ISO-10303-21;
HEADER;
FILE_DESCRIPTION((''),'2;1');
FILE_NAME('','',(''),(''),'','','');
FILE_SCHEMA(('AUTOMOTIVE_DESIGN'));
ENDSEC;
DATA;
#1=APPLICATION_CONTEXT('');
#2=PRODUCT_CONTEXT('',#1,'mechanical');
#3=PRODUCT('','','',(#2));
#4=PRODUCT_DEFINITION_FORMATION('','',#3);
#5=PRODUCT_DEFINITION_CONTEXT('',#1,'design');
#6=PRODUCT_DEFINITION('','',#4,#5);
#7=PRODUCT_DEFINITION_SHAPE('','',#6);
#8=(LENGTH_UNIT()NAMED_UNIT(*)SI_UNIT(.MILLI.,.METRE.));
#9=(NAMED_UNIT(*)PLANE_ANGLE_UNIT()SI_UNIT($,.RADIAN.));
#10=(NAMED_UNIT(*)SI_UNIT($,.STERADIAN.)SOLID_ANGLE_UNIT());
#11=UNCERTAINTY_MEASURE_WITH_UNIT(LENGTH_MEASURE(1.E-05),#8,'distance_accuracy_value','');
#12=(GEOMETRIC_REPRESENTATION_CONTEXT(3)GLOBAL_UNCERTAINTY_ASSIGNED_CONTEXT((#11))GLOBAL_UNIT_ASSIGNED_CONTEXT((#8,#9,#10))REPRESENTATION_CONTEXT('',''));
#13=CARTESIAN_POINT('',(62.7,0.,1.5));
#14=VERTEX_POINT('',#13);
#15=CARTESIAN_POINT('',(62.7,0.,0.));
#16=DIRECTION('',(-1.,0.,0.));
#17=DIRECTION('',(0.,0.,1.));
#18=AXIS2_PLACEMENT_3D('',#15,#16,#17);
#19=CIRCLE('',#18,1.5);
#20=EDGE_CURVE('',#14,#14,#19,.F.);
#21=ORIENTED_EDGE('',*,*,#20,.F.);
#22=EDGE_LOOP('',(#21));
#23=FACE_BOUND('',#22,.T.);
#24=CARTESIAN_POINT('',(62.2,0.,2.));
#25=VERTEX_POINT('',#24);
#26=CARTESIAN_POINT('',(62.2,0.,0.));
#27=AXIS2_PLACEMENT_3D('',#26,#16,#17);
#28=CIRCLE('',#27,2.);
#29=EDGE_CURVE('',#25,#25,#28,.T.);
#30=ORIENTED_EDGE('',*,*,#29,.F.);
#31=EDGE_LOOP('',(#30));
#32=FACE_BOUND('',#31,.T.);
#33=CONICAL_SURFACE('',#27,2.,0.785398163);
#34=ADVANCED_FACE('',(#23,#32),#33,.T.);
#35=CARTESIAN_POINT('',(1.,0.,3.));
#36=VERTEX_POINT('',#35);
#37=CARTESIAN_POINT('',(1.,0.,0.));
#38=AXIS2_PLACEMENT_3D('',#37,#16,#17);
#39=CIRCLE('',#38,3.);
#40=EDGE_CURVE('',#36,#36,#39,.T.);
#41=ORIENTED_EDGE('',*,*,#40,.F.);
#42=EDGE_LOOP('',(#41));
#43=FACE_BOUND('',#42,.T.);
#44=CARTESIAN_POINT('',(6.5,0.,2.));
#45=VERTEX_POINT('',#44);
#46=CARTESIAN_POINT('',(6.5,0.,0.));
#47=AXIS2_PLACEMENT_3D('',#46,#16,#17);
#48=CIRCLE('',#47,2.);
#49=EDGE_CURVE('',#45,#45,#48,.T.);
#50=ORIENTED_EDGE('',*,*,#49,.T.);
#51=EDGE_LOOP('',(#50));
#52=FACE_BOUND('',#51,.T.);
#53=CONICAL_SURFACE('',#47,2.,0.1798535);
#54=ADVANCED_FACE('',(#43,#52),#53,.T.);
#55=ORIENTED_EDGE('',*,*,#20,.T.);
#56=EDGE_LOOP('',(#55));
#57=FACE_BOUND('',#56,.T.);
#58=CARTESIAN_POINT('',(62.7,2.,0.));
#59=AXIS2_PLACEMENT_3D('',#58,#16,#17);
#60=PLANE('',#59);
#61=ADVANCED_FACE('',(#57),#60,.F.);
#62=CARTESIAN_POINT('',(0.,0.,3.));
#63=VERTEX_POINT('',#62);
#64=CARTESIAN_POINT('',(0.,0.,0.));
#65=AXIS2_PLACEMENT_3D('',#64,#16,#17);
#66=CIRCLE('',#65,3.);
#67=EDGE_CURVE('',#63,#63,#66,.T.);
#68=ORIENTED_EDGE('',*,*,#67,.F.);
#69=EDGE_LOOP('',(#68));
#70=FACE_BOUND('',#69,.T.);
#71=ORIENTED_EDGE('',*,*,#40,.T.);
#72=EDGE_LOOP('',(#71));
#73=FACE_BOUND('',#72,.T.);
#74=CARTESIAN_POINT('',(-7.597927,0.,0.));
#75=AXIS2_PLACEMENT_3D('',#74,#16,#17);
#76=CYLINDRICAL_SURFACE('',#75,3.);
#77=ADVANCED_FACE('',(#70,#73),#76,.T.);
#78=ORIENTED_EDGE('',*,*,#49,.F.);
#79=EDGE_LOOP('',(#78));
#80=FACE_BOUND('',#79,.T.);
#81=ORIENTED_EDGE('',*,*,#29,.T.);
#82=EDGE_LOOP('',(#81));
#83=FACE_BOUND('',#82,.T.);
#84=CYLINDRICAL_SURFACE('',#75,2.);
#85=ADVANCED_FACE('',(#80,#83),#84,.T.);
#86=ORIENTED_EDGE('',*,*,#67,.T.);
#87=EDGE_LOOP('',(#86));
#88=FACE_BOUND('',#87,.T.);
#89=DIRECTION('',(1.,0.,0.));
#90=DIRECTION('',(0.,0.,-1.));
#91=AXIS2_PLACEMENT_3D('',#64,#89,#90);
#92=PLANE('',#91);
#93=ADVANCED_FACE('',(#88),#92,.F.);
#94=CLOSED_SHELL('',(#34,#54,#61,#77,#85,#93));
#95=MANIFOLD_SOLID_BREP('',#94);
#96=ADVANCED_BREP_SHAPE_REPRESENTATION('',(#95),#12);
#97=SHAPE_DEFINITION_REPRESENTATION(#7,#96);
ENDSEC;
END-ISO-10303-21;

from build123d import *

# Parameters (mm, degrees)
CHAMFER1_SIZE = 0.5


with BuildPart() as part:
    # Sketch1 → Revolve1 (revolve)
    with BuildSketch(Plane.XY):
        Polygon((0, 0), (0, 3), (1, 3), (6.5, 2), (62.7, 2), (62.7, 0), align=None)
    revolve(axis=Axis((-7.597927081, 0, 0), (1, 0, 0)))

    # Chamfer1
    chamfer1_edges = [part.edges().sort_by_distance(p)[0] for p in [
        (62.7, -2, 0),
    ]]
    chamfer(chamfer1_edges, length=CHAMFER1_SIZE)


solid = part.part
